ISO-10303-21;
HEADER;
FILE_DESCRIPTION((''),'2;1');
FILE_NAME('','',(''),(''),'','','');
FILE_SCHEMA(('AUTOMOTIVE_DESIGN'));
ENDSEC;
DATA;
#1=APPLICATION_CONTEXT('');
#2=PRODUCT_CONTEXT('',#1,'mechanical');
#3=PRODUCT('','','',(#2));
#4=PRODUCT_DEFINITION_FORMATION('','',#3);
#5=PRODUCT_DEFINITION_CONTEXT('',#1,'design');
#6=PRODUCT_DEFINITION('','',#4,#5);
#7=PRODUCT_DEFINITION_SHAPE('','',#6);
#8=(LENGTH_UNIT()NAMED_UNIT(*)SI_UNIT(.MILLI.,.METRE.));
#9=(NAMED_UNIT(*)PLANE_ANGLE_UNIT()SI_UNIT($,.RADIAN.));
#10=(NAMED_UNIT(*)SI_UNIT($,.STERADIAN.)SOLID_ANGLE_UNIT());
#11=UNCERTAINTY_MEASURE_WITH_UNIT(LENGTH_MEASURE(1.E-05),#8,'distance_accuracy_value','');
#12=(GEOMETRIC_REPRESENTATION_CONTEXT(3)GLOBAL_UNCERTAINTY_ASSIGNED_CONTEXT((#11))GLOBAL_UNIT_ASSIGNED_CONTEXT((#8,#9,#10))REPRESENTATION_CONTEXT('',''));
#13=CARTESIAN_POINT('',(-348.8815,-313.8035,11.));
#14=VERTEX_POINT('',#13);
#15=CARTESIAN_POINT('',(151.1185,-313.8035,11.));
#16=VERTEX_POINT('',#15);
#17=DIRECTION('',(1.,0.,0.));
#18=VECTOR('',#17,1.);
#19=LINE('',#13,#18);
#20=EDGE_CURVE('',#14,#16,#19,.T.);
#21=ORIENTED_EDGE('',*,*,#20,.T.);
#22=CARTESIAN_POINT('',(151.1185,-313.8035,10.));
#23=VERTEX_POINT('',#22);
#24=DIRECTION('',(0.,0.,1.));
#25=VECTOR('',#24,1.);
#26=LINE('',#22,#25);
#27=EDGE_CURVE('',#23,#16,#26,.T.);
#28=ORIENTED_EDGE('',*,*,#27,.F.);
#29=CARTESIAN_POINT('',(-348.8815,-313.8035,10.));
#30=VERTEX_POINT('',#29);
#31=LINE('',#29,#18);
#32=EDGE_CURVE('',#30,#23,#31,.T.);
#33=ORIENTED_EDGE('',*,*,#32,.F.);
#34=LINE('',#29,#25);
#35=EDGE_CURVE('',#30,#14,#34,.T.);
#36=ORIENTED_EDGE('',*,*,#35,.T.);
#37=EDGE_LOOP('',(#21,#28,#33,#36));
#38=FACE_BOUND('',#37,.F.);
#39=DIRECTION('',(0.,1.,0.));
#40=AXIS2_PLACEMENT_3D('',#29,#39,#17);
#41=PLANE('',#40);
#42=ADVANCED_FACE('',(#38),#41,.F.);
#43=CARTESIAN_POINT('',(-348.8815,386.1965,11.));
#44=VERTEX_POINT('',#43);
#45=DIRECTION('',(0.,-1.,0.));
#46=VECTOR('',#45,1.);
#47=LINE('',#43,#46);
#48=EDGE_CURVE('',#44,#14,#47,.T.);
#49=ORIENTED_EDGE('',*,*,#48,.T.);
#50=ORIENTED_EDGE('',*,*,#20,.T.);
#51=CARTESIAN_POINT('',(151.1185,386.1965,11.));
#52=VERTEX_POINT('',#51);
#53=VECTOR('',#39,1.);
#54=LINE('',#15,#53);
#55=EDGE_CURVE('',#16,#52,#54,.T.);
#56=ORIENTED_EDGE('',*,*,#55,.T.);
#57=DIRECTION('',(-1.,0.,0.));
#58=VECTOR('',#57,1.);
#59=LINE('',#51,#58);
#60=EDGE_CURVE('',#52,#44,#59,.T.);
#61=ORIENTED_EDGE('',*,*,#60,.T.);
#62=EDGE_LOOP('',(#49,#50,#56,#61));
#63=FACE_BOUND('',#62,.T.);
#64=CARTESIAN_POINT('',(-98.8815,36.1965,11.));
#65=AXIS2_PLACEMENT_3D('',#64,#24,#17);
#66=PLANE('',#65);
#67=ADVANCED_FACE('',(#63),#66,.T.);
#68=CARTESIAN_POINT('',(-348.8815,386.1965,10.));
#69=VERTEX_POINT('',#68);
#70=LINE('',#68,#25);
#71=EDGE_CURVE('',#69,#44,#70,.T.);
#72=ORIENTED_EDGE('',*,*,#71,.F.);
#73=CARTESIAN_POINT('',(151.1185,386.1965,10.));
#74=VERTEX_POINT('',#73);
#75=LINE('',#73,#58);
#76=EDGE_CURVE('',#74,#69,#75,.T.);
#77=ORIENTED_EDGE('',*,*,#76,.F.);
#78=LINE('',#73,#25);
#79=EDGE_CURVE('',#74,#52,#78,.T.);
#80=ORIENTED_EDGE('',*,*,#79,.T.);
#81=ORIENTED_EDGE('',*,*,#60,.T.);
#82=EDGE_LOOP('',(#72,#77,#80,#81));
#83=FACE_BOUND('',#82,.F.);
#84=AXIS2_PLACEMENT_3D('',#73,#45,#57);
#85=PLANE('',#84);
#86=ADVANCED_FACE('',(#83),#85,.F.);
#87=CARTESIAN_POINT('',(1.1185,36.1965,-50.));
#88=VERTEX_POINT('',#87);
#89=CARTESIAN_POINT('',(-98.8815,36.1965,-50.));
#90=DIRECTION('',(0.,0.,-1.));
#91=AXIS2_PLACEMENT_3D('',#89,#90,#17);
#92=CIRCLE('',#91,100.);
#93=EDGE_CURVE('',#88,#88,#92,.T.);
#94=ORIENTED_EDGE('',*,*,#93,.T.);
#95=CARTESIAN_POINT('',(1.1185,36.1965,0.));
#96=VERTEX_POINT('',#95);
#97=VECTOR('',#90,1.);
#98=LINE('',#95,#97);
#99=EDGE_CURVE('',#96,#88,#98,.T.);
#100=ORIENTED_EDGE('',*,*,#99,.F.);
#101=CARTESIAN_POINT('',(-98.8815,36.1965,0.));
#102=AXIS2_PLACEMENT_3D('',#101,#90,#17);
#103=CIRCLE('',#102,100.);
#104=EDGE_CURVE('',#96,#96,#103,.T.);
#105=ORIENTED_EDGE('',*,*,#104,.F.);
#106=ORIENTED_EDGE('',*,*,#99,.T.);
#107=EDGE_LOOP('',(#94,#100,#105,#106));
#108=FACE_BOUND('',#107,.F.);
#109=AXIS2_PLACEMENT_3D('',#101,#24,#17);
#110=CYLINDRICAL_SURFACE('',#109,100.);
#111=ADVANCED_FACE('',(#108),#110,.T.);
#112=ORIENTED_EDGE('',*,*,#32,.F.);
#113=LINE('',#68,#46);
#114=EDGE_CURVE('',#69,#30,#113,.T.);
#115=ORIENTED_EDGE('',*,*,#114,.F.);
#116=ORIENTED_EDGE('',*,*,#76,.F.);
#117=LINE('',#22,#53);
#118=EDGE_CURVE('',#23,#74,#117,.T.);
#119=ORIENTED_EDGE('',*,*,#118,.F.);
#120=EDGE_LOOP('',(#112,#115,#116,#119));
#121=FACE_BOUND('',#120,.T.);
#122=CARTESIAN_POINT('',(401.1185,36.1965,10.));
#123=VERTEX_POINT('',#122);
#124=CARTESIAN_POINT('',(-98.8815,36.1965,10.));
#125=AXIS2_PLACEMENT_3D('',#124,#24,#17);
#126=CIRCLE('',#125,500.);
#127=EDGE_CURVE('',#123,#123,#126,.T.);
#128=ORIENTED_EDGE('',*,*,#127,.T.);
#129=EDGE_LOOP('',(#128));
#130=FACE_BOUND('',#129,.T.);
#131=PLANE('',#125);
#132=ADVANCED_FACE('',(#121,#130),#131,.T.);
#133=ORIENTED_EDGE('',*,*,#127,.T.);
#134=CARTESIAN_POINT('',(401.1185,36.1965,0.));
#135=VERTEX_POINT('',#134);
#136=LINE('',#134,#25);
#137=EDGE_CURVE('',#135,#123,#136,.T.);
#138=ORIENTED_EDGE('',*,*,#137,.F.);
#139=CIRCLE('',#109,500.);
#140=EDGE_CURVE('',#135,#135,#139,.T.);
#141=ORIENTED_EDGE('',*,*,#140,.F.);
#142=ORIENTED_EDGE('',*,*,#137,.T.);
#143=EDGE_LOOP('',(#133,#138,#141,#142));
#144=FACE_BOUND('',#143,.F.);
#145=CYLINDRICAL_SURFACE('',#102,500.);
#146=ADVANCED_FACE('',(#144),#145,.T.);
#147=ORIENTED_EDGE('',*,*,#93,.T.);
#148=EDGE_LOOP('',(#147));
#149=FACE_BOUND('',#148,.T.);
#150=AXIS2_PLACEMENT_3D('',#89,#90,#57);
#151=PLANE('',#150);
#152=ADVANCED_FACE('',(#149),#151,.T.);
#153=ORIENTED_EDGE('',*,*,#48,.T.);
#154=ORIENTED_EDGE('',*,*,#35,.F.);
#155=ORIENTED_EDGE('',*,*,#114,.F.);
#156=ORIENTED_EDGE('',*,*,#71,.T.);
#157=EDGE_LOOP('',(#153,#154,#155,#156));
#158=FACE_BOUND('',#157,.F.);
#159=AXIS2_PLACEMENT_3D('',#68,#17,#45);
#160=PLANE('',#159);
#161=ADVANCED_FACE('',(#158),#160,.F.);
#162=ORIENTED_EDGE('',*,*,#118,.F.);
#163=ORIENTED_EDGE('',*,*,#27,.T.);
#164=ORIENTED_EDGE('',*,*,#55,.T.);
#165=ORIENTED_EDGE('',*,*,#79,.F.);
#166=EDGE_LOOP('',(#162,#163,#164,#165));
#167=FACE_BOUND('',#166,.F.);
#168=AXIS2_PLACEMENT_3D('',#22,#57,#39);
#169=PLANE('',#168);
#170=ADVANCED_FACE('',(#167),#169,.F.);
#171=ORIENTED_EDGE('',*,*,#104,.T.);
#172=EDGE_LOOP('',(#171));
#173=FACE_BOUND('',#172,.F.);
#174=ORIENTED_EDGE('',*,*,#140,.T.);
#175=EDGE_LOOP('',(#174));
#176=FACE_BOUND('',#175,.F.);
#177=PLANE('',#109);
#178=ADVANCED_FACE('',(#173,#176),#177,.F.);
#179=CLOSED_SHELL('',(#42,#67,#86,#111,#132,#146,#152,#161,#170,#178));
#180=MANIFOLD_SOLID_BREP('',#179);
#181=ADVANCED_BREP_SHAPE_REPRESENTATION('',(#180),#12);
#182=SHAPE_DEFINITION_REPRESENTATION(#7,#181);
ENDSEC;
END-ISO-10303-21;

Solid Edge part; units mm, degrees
sketch "Sketch1" plane through (0, 0, 0) normal (0, 0, 1) x (1, 0, 0)
  circle A0 centre (-98.8815, 36.1965) radius 500
  dimension "D1" = 1000
extrude "Protrusion1" add sketch "Sketch1" along normal blind 10
sketch "Sketch2" plane through (-98.8815, 36.1965, 0) normal (0, 0, -1) x (1, 0, 0)
  circle A0 centre (0, 0) radius 100
  dimension "D1" = 200
extrude "ExtrudedProtrusion_2" add sketch "Sketch2" along normal blind 50
sketch "Sketch3" plane through (-98.8815, 36.1965, 10) normal (0, 0, 1) x (1, 0, 0)
  line L0 (-250, 350) -> (-250, -350)
  line L1 (-250, -350) -> (250, -350)
  line L2 (250, -350) -> (250, 350)
  line L3 (250, 350) -> (-250, 350)
  dimension "D1" = 500
  dimension "D2" = 700
extrude "ExtrudedProtrusion_3" add sketch "Sketch3" along normal blind 1
properties material "Aluminum, 6061-T6"
